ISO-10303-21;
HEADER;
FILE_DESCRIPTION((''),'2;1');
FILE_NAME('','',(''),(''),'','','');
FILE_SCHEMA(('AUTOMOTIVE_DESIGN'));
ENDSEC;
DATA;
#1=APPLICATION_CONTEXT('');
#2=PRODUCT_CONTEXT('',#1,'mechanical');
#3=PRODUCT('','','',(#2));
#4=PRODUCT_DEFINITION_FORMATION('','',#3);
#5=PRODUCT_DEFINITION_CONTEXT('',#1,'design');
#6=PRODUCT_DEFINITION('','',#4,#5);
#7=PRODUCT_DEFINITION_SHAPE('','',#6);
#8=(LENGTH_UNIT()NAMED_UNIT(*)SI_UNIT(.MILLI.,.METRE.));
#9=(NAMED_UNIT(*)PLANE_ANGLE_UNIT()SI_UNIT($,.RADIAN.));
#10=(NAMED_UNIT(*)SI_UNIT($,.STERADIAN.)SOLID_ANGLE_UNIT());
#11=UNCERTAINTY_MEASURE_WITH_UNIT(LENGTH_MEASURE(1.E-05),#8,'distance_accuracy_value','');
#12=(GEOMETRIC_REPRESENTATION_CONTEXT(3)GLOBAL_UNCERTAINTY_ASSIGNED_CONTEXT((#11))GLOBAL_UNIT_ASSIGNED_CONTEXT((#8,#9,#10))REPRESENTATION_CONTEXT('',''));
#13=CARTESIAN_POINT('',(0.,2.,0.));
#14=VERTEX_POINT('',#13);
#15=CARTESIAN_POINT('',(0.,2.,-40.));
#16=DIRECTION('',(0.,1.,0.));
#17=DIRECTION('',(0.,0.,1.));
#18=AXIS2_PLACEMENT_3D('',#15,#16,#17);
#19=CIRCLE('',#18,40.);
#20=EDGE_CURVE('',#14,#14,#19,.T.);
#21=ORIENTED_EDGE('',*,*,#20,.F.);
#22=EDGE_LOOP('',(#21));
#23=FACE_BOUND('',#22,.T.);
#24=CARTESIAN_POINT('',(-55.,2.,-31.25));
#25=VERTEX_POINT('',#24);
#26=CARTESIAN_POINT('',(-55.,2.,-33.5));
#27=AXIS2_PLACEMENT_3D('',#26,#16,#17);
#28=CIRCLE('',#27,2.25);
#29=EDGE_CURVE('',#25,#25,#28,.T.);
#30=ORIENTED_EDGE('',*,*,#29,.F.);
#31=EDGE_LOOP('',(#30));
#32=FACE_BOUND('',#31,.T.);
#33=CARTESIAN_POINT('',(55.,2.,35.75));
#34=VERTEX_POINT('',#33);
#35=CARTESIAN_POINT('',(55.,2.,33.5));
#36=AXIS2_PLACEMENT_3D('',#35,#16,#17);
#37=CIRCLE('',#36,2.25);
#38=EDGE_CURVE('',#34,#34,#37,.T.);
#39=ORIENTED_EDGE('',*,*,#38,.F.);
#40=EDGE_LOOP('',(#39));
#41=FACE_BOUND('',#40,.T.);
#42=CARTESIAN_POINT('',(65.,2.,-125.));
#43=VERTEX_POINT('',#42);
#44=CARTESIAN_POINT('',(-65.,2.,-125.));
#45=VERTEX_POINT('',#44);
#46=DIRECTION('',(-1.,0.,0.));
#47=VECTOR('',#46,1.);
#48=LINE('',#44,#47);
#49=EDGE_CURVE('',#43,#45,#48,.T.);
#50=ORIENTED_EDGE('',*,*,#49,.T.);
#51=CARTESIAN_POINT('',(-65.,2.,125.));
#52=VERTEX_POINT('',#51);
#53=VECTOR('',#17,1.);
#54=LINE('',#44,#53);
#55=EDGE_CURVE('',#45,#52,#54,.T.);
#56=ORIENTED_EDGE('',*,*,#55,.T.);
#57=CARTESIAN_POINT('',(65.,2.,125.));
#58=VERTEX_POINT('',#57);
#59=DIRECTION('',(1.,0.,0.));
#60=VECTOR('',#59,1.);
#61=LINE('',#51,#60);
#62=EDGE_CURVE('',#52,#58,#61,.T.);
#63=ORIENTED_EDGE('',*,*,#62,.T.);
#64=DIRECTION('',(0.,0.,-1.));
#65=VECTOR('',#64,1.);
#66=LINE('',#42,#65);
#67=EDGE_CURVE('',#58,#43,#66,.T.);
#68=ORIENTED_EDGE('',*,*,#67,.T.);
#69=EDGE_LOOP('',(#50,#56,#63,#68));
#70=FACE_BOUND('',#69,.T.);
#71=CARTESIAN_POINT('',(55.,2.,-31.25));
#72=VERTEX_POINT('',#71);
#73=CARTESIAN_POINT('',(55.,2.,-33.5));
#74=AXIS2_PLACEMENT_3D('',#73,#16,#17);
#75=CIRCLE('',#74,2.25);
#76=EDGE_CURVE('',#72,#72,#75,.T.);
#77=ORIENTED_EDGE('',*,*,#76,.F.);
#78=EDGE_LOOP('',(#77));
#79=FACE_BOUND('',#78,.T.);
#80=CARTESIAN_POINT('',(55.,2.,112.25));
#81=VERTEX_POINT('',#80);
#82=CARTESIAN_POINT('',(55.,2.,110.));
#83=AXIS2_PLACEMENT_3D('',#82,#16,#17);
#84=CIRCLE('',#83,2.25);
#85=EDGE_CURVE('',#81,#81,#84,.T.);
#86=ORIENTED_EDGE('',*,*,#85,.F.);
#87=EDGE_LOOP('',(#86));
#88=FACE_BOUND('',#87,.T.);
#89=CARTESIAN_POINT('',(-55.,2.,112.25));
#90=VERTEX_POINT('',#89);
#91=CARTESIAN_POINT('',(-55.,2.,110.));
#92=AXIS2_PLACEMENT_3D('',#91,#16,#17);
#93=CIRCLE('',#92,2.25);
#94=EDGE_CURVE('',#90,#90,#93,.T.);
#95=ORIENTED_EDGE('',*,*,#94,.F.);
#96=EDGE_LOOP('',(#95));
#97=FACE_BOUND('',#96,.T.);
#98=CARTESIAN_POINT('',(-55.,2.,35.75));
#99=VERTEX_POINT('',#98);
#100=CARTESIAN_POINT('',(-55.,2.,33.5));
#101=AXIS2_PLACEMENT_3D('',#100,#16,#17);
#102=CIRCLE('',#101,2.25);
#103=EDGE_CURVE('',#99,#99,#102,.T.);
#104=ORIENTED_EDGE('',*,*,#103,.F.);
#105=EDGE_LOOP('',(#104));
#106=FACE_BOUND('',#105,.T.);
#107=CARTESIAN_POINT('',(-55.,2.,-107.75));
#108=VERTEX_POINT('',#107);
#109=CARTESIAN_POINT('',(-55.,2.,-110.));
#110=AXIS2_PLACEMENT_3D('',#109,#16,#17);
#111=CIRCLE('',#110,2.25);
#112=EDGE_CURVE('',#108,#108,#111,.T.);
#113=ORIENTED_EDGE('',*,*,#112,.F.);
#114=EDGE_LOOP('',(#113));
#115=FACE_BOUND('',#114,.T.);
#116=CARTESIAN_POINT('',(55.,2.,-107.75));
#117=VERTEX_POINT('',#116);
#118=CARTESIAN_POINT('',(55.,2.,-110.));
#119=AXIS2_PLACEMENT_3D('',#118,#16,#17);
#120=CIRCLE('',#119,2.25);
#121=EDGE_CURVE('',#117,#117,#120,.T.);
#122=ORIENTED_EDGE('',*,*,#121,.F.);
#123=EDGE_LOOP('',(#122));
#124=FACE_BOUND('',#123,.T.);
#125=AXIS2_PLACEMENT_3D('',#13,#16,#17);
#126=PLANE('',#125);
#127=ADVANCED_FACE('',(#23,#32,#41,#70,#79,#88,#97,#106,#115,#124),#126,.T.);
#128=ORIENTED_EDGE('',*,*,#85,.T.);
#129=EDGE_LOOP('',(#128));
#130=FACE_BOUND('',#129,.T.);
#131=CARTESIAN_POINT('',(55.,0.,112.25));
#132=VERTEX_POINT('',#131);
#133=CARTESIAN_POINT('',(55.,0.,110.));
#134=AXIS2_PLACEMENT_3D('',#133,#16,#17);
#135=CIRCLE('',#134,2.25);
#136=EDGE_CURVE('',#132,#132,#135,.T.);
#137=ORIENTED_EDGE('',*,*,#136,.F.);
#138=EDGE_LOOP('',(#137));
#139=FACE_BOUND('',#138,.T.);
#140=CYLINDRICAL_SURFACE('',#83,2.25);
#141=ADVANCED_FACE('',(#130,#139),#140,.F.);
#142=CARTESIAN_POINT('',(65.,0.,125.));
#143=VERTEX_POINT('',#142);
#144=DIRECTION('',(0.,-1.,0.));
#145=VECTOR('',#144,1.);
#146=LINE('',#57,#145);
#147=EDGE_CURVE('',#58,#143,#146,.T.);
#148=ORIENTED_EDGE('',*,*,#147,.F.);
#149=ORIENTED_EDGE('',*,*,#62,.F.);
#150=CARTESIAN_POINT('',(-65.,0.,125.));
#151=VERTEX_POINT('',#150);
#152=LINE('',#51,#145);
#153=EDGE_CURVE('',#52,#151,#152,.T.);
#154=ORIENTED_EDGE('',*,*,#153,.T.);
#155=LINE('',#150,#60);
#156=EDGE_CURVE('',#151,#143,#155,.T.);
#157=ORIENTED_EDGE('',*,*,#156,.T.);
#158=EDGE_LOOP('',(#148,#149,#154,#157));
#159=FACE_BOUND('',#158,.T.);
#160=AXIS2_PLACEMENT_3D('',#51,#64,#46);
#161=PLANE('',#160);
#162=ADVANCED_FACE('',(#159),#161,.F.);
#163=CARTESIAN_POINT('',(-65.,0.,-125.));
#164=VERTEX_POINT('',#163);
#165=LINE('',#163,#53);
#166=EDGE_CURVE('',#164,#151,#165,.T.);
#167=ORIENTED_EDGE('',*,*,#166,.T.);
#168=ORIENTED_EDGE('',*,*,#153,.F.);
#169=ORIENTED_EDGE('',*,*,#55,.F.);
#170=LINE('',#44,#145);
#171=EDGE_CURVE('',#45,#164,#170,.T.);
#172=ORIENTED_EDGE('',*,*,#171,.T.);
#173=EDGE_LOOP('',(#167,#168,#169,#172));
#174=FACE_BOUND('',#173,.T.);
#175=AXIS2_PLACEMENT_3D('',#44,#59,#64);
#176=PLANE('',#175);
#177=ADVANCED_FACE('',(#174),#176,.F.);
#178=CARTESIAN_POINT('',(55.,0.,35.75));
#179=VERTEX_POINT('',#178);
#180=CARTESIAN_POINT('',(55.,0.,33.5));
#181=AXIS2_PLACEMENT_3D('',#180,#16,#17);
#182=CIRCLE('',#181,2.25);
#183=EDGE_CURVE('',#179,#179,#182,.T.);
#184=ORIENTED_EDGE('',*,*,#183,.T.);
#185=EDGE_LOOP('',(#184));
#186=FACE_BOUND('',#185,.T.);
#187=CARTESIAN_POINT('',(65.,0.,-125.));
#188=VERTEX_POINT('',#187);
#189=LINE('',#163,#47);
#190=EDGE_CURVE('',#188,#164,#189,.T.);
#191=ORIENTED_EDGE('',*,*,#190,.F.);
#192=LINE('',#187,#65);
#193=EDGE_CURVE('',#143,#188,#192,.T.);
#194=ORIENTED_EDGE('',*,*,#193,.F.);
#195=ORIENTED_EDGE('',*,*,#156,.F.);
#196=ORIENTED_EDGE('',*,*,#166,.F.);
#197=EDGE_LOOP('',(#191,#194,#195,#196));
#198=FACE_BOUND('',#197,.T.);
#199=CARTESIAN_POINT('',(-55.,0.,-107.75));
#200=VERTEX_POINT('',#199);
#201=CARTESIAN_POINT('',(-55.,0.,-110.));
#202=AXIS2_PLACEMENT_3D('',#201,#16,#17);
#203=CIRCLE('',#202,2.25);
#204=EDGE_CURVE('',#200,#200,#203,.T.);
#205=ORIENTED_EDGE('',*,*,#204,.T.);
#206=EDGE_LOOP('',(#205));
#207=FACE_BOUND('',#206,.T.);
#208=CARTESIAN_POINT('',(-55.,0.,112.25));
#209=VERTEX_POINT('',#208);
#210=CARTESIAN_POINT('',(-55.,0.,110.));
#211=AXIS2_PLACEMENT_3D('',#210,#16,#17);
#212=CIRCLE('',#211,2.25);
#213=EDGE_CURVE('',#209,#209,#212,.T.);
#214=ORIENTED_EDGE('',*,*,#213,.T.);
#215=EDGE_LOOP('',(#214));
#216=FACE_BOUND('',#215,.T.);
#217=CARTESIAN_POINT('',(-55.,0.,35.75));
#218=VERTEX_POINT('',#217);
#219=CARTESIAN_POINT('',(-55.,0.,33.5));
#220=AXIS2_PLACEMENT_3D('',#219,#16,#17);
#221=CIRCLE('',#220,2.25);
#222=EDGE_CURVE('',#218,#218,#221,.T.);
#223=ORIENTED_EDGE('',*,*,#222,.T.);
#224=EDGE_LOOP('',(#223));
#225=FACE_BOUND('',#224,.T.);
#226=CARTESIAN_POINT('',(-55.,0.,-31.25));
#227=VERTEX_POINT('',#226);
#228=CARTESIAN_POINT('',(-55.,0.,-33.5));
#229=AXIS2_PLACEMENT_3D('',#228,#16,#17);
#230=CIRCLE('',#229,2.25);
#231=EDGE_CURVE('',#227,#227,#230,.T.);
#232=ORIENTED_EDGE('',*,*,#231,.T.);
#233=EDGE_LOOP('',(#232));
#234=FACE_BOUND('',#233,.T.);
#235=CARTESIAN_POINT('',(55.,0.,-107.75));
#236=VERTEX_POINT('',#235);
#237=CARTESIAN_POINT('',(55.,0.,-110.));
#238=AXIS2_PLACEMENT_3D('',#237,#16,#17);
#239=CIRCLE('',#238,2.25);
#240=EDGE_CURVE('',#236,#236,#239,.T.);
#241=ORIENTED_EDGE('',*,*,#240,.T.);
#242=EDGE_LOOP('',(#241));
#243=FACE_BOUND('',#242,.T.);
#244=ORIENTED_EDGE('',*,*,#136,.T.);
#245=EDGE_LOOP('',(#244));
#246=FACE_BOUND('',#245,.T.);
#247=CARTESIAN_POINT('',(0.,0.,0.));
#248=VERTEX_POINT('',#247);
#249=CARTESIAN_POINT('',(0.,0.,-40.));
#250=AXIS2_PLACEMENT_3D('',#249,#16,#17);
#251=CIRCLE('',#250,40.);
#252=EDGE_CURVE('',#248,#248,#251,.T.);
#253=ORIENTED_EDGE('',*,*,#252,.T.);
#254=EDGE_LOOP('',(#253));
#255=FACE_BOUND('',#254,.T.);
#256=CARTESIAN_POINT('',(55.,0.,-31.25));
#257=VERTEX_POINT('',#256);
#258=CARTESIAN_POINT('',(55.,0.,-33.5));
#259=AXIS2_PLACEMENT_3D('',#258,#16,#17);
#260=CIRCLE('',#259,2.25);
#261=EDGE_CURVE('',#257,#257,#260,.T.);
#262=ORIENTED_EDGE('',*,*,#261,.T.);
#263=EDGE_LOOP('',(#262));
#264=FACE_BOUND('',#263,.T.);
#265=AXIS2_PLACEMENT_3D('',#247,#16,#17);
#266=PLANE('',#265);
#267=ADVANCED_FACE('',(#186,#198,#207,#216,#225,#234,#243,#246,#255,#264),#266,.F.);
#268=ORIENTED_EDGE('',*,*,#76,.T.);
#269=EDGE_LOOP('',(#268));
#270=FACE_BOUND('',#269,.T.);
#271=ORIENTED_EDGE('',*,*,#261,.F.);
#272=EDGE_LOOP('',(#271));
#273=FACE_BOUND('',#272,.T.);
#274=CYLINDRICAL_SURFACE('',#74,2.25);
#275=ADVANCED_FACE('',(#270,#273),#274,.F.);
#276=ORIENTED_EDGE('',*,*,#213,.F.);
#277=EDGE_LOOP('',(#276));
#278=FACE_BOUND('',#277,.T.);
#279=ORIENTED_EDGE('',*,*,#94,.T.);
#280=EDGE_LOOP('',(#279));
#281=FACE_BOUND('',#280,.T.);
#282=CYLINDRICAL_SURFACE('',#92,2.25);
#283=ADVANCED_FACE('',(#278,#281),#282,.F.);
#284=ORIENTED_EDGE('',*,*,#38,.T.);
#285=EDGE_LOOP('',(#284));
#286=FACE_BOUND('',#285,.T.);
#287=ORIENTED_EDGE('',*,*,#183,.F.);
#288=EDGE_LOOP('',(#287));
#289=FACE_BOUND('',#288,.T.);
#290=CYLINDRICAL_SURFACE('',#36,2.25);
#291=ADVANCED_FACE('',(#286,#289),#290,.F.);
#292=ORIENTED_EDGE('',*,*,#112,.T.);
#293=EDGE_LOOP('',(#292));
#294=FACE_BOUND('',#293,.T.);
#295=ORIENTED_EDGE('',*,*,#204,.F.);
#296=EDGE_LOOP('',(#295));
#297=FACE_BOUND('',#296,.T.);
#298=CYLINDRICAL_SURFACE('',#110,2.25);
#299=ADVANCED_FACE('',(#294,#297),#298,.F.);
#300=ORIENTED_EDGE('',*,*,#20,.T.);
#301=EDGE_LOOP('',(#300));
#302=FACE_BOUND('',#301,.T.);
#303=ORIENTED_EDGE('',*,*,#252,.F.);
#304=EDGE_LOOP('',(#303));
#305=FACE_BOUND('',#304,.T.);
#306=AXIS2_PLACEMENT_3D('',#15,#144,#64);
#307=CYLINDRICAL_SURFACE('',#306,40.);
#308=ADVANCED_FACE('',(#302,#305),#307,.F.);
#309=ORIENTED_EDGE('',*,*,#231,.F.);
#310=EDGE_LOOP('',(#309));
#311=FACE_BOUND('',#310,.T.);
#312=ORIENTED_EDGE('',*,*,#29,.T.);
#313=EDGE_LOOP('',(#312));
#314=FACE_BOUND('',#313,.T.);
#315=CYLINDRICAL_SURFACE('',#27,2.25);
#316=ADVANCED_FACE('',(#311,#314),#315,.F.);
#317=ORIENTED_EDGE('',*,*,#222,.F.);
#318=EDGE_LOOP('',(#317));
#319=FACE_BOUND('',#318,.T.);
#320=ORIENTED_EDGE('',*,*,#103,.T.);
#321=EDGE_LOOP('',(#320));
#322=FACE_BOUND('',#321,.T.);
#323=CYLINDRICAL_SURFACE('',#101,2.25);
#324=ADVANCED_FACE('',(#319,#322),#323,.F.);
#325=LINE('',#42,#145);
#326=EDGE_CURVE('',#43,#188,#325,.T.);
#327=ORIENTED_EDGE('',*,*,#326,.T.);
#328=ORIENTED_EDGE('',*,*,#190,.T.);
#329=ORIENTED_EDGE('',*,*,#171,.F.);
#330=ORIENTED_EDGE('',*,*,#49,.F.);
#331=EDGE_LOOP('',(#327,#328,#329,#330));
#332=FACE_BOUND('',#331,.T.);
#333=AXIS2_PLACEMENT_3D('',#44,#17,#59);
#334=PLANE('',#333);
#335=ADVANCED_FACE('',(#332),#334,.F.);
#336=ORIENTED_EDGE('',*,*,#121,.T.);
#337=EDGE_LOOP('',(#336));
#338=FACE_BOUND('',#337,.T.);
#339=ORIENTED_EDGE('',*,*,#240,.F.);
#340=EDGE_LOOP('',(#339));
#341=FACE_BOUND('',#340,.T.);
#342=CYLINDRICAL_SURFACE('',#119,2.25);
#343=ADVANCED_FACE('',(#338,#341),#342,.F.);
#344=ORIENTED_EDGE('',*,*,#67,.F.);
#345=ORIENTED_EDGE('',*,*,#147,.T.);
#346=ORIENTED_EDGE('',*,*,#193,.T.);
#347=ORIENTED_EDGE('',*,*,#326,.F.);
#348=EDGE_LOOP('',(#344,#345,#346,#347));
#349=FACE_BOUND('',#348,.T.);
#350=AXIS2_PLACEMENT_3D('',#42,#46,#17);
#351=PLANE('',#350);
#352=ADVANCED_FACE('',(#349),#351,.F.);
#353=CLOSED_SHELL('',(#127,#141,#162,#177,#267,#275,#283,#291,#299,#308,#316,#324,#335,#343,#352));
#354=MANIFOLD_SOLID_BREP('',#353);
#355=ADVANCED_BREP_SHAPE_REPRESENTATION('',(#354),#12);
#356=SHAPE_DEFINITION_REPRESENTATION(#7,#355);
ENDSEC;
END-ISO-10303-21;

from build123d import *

# Parameters (mm, degrees)
SKETCH_1_W         = 130
SKETCH_1_H         = 250
SKETCH_1_R         = 40
EXTRUDE_1_DEPTH    = 2
HOLE_WIZARD_M4_1_D = 4.5
MIRROR_2_COPY_1_D  = 4.5


with BuildPart() as part:
    # 草图1 → 凸台-拉伸1 (new body)
    with BuildSketch(Plane(origin=(0, 0, 0), x_dir=(1, 0, 0), z_dir=(0, 1, 0))):
        Rectangle(SKETCH_1_W, SKETCH_1_H)
        with Locations(Location((0, 40, 0), (0, 0, 270))):
            Circle(SKETCH_1_R, mode=Mode.SUBTRACT)
    extrude(amount=EXTRUDE_1_DEPTH)

    # M4 间隙孔1 (through all)
    with Locations(Plane(origin=(0, 2, 0), x_dir=(1, 0, 0), z_dir=(0, 1, 0))):
        with Locations((-55, -110), (-55, -33.5)):
            hole_wizard_m4_1 = Hole(HOLE_WIZARD_M4_1_D / 2)

    # 镜向1: M4 间隙孔1 across plane
    add(hole_wizard_m4_1.mirror(Plane.XY), mode=Mode.SUBTRACT)

    # 镜向2: M4 间隙孔1 across plane
    add(hole_wizard_m4_1.mirror(Plane.ZY), mode=Mode.SUBTRACT)

    # 镜向2 copy 1 (through all)
    with Locations(Plane(origin=(0, 2, 0), x_dir=(-1, 0, 0), z_dir=(0, 1, 0))):
        with Locations((-55, -110), (-55, -33.5)):
            Hole(MIRROR_2_COPY_1_D / 2)


solid = part.part
